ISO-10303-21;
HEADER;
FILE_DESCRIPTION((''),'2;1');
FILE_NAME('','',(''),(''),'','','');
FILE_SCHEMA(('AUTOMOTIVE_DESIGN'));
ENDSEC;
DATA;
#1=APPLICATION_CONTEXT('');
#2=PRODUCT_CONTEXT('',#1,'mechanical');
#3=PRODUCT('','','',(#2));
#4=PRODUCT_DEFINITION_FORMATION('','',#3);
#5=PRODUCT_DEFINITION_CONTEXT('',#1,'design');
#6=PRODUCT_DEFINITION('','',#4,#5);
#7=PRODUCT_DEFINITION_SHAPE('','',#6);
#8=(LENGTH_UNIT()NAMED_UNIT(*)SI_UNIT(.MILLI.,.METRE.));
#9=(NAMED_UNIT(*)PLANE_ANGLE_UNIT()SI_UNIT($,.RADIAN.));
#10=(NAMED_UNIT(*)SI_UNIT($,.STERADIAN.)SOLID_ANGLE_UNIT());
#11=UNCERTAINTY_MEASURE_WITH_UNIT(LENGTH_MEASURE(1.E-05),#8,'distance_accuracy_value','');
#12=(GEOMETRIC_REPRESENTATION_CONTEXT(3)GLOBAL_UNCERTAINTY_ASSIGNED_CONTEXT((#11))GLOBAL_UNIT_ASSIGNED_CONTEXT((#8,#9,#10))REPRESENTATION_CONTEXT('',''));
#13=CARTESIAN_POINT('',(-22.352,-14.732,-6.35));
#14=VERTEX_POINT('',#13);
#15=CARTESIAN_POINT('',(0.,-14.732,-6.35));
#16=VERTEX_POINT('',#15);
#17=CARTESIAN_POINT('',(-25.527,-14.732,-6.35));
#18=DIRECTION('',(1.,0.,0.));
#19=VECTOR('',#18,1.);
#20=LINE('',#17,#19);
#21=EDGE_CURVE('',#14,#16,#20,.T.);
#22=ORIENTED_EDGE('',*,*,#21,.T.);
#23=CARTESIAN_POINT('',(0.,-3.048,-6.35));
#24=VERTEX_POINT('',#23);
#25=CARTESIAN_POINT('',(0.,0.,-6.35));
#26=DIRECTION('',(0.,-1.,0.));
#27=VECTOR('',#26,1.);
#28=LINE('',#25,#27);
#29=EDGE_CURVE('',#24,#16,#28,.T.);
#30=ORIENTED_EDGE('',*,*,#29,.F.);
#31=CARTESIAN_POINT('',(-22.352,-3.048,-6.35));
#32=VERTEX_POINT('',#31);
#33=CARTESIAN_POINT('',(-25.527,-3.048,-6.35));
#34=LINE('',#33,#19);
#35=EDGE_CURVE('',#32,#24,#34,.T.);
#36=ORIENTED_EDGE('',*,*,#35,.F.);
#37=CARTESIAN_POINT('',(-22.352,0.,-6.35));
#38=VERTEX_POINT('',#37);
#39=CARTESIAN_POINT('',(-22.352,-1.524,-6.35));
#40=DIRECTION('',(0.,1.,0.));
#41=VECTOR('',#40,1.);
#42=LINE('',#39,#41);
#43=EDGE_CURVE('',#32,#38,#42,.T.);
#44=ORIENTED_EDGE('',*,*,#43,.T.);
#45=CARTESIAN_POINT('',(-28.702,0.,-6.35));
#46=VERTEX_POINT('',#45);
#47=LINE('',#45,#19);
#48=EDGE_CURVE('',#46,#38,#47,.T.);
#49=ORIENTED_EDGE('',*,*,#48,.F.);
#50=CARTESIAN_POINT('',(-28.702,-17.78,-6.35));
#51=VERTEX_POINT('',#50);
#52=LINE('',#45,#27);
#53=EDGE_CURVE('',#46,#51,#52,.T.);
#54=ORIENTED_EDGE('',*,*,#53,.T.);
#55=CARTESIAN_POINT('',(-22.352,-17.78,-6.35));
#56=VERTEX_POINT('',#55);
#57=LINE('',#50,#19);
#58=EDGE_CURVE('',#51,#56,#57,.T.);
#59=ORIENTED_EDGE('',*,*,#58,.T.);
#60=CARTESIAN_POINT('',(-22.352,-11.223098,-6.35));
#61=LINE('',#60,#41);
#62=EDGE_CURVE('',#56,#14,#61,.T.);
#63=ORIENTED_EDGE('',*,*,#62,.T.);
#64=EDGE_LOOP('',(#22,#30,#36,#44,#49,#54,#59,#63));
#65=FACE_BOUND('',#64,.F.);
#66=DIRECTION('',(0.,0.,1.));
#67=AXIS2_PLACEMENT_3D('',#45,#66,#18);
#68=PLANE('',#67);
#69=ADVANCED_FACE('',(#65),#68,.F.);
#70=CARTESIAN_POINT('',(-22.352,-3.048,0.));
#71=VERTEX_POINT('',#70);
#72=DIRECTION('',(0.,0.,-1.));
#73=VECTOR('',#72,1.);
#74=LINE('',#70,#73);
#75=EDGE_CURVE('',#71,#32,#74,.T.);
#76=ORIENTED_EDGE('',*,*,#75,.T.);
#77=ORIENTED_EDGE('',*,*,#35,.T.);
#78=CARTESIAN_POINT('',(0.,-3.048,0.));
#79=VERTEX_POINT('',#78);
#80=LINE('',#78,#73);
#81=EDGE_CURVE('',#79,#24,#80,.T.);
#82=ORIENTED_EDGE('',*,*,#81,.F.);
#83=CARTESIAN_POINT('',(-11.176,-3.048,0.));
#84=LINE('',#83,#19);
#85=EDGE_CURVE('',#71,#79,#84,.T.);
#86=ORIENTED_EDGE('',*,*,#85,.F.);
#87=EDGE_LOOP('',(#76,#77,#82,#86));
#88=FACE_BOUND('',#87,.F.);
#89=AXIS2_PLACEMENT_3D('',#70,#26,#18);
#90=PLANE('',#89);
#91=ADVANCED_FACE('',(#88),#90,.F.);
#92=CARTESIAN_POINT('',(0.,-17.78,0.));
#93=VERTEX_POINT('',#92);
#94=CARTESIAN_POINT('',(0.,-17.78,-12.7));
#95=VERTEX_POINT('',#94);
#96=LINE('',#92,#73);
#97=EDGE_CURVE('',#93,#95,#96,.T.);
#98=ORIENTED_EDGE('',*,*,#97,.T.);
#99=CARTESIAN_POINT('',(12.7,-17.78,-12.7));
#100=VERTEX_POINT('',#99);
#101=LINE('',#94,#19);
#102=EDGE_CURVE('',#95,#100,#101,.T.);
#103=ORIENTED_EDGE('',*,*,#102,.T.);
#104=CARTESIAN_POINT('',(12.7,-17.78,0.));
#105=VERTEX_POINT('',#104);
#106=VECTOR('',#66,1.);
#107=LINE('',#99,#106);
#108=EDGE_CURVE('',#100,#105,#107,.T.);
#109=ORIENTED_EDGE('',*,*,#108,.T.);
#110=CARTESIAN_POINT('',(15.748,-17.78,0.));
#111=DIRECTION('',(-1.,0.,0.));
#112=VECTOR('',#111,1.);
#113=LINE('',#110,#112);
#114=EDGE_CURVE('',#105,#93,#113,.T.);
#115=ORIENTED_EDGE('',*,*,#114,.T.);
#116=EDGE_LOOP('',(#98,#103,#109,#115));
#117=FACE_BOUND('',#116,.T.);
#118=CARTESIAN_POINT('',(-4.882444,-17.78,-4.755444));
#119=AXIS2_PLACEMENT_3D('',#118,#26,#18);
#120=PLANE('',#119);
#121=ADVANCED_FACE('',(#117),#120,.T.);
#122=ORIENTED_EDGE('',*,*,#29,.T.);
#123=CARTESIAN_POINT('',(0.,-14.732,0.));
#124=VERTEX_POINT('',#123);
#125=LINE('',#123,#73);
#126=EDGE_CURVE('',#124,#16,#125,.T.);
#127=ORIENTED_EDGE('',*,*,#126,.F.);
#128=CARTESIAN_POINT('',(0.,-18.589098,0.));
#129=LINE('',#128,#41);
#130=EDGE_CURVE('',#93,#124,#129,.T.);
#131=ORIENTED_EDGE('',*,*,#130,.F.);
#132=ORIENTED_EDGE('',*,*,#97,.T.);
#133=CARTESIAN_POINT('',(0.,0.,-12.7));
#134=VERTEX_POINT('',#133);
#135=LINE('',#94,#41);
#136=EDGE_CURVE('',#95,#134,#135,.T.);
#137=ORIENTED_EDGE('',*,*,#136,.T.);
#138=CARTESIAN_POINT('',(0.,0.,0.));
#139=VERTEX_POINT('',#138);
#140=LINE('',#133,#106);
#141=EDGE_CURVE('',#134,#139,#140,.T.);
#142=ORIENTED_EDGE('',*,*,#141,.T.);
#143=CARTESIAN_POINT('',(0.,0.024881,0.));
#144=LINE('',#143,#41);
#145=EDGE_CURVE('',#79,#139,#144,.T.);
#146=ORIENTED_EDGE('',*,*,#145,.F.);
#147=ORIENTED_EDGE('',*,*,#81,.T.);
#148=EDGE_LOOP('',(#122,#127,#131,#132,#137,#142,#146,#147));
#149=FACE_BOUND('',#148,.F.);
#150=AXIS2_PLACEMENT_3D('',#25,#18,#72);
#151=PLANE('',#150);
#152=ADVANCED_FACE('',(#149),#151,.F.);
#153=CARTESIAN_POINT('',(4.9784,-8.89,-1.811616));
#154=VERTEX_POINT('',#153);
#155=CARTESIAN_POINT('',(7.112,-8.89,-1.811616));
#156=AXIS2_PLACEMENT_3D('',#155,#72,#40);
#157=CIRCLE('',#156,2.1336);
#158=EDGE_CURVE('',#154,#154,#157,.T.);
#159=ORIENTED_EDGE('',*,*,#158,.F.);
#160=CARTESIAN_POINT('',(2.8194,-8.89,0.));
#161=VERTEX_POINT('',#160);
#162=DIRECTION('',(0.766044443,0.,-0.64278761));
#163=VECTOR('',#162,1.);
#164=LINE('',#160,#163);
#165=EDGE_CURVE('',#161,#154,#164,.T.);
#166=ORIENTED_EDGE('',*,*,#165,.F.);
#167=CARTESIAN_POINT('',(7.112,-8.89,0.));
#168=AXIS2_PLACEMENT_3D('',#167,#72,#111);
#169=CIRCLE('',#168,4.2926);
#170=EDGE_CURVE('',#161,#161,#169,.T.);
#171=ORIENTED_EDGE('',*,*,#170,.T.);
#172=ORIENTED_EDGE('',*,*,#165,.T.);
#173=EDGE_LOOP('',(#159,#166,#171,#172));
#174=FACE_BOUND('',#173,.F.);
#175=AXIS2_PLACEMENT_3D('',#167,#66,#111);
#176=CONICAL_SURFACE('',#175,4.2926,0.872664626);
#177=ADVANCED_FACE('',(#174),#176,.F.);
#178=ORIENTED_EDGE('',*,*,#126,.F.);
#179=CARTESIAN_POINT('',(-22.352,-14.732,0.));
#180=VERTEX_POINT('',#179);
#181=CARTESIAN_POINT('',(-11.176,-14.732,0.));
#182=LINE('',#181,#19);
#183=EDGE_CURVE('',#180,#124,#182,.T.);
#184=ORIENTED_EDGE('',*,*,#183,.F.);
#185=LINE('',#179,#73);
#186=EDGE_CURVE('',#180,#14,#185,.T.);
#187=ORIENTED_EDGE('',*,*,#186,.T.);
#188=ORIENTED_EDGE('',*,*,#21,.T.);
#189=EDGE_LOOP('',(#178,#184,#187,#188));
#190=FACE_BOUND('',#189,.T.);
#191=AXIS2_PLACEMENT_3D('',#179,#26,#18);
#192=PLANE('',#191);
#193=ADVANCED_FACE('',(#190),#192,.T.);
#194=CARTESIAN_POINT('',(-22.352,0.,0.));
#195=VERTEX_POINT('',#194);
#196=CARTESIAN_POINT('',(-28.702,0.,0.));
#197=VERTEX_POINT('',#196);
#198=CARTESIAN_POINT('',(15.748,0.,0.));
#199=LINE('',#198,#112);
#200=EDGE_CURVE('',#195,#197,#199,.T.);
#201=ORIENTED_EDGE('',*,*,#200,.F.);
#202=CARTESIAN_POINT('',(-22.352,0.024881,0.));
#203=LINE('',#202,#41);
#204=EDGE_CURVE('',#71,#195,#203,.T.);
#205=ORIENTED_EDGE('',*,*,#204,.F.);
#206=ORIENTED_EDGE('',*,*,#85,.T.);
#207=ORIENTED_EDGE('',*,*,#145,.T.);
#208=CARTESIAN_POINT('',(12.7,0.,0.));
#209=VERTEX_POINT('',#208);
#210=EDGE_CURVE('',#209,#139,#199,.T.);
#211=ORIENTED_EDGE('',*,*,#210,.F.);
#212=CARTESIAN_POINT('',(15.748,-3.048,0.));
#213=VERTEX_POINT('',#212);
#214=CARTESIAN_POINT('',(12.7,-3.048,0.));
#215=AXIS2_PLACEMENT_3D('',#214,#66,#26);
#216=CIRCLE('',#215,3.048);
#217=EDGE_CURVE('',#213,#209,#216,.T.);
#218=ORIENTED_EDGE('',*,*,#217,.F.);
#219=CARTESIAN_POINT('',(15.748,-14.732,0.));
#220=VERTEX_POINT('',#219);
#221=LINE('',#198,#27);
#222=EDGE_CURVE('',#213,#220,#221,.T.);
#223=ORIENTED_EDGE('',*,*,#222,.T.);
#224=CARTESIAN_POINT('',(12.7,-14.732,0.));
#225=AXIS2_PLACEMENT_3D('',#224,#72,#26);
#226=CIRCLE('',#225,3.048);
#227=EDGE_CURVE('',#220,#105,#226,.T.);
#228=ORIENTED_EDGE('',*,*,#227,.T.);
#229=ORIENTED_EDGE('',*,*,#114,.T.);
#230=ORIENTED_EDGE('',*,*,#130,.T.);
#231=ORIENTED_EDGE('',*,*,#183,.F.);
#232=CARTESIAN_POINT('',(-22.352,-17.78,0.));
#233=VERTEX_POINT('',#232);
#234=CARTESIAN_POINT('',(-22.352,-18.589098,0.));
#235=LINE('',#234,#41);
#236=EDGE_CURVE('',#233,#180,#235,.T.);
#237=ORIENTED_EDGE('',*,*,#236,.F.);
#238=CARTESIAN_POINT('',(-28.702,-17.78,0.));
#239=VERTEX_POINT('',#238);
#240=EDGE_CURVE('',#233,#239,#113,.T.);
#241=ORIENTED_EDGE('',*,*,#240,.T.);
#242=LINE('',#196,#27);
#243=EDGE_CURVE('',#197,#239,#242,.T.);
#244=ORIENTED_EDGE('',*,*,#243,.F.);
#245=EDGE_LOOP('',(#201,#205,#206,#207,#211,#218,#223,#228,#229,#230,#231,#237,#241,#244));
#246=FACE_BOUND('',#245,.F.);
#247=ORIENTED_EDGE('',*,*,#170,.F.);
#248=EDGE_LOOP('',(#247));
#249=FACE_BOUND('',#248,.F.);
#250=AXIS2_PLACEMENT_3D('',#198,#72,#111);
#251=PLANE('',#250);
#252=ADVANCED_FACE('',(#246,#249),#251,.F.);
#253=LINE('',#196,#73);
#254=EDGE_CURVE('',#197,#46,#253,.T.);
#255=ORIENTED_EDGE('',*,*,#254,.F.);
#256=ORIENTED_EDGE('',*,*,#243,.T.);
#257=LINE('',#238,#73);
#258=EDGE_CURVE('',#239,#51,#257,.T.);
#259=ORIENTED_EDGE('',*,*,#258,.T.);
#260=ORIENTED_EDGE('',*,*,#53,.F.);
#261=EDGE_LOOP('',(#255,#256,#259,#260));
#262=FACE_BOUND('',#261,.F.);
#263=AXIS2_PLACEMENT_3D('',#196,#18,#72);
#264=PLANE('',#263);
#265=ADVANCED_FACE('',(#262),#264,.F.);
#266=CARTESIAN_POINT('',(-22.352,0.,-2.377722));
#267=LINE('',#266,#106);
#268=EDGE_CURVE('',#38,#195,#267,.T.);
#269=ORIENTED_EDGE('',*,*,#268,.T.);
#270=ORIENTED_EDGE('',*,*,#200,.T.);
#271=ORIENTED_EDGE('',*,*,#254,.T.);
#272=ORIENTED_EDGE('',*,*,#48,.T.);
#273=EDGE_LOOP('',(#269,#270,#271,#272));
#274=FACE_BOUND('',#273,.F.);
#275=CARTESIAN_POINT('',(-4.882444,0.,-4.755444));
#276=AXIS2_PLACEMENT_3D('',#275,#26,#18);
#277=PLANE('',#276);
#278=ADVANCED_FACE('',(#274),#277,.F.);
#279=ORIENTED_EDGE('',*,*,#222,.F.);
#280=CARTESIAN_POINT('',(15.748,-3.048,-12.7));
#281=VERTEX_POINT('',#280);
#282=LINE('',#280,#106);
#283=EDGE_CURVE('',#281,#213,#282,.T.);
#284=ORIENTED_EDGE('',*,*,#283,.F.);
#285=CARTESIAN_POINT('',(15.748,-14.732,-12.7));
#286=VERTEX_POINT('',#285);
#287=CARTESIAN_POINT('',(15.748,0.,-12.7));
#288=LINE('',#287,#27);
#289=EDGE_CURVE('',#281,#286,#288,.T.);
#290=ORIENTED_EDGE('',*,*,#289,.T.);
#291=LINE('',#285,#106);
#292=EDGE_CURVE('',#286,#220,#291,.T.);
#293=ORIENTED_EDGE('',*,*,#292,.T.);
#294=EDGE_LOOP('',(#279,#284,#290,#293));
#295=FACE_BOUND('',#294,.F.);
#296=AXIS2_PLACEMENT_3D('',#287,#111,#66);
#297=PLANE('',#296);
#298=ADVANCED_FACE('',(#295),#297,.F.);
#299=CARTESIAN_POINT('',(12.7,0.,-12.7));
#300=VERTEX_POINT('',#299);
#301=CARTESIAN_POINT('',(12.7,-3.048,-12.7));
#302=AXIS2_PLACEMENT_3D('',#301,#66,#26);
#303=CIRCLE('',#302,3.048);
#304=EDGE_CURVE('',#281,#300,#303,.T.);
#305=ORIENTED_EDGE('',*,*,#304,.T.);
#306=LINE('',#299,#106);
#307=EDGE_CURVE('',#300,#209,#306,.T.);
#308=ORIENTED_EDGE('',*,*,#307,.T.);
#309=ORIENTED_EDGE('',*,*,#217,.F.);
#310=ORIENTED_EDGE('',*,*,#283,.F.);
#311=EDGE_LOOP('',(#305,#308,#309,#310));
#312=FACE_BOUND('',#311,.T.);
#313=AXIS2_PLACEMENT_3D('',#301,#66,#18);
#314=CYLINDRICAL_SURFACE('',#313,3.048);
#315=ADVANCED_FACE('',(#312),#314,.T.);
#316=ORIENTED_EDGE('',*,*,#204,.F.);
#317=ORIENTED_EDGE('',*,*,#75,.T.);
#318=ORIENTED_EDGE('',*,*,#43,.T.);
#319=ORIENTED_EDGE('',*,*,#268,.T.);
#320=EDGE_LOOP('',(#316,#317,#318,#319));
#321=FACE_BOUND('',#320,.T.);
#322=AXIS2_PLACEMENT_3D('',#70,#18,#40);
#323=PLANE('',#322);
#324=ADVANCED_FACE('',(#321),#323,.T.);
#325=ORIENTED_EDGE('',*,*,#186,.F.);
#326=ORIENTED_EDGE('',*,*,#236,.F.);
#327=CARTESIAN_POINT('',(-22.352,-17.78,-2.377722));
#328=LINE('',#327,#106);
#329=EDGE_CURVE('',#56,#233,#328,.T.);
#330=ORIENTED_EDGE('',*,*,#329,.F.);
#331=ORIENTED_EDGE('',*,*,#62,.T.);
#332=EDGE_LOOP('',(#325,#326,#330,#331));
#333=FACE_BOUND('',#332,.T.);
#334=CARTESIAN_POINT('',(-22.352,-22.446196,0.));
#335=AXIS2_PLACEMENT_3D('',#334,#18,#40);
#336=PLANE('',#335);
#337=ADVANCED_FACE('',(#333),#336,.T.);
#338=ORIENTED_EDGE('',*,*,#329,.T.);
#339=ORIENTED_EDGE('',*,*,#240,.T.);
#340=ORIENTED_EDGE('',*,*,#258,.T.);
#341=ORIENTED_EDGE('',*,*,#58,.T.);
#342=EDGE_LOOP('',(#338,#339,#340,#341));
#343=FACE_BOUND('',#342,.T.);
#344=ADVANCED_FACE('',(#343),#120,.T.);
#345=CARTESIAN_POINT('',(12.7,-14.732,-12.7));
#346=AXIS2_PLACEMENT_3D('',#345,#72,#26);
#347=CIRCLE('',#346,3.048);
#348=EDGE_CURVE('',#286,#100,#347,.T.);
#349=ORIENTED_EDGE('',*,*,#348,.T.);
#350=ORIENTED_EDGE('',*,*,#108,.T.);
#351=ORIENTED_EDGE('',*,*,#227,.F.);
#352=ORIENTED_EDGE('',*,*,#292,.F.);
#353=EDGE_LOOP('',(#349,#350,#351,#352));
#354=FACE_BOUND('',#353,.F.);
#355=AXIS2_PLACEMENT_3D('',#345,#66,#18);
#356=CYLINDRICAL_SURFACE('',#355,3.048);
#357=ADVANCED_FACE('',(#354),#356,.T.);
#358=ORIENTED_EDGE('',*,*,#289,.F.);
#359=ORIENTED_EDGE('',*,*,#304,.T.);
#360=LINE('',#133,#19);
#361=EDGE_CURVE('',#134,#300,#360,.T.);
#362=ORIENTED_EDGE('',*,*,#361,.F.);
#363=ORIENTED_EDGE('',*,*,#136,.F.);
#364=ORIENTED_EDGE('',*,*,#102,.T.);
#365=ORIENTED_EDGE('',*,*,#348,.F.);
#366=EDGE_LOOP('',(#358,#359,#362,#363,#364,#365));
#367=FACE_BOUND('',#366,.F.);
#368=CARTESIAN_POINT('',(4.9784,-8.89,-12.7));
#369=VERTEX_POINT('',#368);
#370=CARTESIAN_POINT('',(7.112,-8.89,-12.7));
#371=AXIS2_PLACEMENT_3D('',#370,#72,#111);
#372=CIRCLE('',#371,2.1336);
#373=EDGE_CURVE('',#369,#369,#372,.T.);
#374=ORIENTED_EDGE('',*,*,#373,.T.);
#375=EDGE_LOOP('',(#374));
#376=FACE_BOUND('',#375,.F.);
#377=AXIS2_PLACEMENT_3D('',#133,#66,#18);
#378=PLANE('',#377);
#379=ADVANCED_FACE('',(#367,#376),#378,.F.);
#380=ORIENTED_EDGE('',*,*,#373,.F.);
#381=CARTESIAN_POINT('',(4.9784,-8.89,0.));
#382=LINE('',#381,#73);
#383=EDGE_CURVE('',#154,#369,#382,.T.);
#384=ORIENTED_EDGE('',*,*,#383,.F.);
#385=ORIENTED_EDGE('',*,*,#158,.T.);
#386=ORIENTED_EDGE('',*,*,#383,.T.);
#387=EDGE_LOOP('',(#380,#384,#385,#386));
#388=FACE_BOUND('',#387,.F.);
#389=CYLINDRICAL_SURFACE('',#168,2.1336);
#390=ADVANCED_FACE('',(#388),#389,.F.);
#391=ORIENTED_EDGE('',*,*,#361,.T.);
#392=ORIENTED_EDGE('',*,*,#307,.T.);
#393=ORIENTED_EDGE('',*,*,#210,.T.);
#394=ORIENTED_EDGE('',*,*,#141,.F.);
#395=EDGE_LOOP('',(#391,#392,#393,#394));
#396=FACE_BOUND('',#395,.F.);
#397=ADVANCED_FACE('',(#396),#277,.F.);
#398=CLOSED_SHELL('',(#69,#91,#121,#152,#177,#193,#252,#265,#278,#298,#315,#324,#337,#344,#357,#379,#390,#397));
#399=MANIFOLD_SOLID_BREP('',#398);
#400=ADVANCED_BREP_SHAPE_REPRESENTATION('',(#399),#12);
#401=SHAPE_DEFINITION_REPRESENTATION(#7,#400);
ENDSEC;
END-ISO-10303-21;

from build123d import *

# Parameters (mm, degrees)
F1_DEPTH       = 17.78
F2_W           = 22.352
F2_H           = 7.714197
F2_H_2         = 6.145762
F3_DEPTH       = 12.701
F4_R           = 3.048
F6_D           = 4.2672
F6_CSINK_D     = 8.5852
F6_CSINK_ANGLE = 100


with BuildPart() as f1:
    # F0 (on Front) → F1 (new body)
    with BuildSketch(Plane.XZ):
        Polygon((15.748, -12.7), (15.748, 0), (-28.702, 0), (-28.702, -6.35), (0, -6.35), (0, -12.7), align=None)
    extrude(amount=F1_DEPTH)

    # F2 (on face) → F3 (cut, through all)
    with BuildSketch(Plane.XY):
        with Locations((-11.176, -18.589098)):
            Rectangle(F2_W, F2_H)
        with Locations((-11.176, 0.024881)):
            Rectangle(F2_W, F2_H_2)
    extrude(amount=-F3_DEPTH, mode=Mode.SUBTRACT)

    # F4
    f4_edges = [f1.edges().sort_by_distance(p)[0] for p in [
        (15.748, 0, -6.35),
        (15.748, -17.78, -6.35),
    ]]
    fillet(f4_edges, radius=F4_R)

    # F6 (through all)
    with Locations(Plane.XY):
        with Locations((7.112, -8.89)):
            CounterSinkHole(F6_D / 2, F6_CSINK_D / 2, counter_sink_angle=F6_CSINK_ANGLE)


solid = f1.part
